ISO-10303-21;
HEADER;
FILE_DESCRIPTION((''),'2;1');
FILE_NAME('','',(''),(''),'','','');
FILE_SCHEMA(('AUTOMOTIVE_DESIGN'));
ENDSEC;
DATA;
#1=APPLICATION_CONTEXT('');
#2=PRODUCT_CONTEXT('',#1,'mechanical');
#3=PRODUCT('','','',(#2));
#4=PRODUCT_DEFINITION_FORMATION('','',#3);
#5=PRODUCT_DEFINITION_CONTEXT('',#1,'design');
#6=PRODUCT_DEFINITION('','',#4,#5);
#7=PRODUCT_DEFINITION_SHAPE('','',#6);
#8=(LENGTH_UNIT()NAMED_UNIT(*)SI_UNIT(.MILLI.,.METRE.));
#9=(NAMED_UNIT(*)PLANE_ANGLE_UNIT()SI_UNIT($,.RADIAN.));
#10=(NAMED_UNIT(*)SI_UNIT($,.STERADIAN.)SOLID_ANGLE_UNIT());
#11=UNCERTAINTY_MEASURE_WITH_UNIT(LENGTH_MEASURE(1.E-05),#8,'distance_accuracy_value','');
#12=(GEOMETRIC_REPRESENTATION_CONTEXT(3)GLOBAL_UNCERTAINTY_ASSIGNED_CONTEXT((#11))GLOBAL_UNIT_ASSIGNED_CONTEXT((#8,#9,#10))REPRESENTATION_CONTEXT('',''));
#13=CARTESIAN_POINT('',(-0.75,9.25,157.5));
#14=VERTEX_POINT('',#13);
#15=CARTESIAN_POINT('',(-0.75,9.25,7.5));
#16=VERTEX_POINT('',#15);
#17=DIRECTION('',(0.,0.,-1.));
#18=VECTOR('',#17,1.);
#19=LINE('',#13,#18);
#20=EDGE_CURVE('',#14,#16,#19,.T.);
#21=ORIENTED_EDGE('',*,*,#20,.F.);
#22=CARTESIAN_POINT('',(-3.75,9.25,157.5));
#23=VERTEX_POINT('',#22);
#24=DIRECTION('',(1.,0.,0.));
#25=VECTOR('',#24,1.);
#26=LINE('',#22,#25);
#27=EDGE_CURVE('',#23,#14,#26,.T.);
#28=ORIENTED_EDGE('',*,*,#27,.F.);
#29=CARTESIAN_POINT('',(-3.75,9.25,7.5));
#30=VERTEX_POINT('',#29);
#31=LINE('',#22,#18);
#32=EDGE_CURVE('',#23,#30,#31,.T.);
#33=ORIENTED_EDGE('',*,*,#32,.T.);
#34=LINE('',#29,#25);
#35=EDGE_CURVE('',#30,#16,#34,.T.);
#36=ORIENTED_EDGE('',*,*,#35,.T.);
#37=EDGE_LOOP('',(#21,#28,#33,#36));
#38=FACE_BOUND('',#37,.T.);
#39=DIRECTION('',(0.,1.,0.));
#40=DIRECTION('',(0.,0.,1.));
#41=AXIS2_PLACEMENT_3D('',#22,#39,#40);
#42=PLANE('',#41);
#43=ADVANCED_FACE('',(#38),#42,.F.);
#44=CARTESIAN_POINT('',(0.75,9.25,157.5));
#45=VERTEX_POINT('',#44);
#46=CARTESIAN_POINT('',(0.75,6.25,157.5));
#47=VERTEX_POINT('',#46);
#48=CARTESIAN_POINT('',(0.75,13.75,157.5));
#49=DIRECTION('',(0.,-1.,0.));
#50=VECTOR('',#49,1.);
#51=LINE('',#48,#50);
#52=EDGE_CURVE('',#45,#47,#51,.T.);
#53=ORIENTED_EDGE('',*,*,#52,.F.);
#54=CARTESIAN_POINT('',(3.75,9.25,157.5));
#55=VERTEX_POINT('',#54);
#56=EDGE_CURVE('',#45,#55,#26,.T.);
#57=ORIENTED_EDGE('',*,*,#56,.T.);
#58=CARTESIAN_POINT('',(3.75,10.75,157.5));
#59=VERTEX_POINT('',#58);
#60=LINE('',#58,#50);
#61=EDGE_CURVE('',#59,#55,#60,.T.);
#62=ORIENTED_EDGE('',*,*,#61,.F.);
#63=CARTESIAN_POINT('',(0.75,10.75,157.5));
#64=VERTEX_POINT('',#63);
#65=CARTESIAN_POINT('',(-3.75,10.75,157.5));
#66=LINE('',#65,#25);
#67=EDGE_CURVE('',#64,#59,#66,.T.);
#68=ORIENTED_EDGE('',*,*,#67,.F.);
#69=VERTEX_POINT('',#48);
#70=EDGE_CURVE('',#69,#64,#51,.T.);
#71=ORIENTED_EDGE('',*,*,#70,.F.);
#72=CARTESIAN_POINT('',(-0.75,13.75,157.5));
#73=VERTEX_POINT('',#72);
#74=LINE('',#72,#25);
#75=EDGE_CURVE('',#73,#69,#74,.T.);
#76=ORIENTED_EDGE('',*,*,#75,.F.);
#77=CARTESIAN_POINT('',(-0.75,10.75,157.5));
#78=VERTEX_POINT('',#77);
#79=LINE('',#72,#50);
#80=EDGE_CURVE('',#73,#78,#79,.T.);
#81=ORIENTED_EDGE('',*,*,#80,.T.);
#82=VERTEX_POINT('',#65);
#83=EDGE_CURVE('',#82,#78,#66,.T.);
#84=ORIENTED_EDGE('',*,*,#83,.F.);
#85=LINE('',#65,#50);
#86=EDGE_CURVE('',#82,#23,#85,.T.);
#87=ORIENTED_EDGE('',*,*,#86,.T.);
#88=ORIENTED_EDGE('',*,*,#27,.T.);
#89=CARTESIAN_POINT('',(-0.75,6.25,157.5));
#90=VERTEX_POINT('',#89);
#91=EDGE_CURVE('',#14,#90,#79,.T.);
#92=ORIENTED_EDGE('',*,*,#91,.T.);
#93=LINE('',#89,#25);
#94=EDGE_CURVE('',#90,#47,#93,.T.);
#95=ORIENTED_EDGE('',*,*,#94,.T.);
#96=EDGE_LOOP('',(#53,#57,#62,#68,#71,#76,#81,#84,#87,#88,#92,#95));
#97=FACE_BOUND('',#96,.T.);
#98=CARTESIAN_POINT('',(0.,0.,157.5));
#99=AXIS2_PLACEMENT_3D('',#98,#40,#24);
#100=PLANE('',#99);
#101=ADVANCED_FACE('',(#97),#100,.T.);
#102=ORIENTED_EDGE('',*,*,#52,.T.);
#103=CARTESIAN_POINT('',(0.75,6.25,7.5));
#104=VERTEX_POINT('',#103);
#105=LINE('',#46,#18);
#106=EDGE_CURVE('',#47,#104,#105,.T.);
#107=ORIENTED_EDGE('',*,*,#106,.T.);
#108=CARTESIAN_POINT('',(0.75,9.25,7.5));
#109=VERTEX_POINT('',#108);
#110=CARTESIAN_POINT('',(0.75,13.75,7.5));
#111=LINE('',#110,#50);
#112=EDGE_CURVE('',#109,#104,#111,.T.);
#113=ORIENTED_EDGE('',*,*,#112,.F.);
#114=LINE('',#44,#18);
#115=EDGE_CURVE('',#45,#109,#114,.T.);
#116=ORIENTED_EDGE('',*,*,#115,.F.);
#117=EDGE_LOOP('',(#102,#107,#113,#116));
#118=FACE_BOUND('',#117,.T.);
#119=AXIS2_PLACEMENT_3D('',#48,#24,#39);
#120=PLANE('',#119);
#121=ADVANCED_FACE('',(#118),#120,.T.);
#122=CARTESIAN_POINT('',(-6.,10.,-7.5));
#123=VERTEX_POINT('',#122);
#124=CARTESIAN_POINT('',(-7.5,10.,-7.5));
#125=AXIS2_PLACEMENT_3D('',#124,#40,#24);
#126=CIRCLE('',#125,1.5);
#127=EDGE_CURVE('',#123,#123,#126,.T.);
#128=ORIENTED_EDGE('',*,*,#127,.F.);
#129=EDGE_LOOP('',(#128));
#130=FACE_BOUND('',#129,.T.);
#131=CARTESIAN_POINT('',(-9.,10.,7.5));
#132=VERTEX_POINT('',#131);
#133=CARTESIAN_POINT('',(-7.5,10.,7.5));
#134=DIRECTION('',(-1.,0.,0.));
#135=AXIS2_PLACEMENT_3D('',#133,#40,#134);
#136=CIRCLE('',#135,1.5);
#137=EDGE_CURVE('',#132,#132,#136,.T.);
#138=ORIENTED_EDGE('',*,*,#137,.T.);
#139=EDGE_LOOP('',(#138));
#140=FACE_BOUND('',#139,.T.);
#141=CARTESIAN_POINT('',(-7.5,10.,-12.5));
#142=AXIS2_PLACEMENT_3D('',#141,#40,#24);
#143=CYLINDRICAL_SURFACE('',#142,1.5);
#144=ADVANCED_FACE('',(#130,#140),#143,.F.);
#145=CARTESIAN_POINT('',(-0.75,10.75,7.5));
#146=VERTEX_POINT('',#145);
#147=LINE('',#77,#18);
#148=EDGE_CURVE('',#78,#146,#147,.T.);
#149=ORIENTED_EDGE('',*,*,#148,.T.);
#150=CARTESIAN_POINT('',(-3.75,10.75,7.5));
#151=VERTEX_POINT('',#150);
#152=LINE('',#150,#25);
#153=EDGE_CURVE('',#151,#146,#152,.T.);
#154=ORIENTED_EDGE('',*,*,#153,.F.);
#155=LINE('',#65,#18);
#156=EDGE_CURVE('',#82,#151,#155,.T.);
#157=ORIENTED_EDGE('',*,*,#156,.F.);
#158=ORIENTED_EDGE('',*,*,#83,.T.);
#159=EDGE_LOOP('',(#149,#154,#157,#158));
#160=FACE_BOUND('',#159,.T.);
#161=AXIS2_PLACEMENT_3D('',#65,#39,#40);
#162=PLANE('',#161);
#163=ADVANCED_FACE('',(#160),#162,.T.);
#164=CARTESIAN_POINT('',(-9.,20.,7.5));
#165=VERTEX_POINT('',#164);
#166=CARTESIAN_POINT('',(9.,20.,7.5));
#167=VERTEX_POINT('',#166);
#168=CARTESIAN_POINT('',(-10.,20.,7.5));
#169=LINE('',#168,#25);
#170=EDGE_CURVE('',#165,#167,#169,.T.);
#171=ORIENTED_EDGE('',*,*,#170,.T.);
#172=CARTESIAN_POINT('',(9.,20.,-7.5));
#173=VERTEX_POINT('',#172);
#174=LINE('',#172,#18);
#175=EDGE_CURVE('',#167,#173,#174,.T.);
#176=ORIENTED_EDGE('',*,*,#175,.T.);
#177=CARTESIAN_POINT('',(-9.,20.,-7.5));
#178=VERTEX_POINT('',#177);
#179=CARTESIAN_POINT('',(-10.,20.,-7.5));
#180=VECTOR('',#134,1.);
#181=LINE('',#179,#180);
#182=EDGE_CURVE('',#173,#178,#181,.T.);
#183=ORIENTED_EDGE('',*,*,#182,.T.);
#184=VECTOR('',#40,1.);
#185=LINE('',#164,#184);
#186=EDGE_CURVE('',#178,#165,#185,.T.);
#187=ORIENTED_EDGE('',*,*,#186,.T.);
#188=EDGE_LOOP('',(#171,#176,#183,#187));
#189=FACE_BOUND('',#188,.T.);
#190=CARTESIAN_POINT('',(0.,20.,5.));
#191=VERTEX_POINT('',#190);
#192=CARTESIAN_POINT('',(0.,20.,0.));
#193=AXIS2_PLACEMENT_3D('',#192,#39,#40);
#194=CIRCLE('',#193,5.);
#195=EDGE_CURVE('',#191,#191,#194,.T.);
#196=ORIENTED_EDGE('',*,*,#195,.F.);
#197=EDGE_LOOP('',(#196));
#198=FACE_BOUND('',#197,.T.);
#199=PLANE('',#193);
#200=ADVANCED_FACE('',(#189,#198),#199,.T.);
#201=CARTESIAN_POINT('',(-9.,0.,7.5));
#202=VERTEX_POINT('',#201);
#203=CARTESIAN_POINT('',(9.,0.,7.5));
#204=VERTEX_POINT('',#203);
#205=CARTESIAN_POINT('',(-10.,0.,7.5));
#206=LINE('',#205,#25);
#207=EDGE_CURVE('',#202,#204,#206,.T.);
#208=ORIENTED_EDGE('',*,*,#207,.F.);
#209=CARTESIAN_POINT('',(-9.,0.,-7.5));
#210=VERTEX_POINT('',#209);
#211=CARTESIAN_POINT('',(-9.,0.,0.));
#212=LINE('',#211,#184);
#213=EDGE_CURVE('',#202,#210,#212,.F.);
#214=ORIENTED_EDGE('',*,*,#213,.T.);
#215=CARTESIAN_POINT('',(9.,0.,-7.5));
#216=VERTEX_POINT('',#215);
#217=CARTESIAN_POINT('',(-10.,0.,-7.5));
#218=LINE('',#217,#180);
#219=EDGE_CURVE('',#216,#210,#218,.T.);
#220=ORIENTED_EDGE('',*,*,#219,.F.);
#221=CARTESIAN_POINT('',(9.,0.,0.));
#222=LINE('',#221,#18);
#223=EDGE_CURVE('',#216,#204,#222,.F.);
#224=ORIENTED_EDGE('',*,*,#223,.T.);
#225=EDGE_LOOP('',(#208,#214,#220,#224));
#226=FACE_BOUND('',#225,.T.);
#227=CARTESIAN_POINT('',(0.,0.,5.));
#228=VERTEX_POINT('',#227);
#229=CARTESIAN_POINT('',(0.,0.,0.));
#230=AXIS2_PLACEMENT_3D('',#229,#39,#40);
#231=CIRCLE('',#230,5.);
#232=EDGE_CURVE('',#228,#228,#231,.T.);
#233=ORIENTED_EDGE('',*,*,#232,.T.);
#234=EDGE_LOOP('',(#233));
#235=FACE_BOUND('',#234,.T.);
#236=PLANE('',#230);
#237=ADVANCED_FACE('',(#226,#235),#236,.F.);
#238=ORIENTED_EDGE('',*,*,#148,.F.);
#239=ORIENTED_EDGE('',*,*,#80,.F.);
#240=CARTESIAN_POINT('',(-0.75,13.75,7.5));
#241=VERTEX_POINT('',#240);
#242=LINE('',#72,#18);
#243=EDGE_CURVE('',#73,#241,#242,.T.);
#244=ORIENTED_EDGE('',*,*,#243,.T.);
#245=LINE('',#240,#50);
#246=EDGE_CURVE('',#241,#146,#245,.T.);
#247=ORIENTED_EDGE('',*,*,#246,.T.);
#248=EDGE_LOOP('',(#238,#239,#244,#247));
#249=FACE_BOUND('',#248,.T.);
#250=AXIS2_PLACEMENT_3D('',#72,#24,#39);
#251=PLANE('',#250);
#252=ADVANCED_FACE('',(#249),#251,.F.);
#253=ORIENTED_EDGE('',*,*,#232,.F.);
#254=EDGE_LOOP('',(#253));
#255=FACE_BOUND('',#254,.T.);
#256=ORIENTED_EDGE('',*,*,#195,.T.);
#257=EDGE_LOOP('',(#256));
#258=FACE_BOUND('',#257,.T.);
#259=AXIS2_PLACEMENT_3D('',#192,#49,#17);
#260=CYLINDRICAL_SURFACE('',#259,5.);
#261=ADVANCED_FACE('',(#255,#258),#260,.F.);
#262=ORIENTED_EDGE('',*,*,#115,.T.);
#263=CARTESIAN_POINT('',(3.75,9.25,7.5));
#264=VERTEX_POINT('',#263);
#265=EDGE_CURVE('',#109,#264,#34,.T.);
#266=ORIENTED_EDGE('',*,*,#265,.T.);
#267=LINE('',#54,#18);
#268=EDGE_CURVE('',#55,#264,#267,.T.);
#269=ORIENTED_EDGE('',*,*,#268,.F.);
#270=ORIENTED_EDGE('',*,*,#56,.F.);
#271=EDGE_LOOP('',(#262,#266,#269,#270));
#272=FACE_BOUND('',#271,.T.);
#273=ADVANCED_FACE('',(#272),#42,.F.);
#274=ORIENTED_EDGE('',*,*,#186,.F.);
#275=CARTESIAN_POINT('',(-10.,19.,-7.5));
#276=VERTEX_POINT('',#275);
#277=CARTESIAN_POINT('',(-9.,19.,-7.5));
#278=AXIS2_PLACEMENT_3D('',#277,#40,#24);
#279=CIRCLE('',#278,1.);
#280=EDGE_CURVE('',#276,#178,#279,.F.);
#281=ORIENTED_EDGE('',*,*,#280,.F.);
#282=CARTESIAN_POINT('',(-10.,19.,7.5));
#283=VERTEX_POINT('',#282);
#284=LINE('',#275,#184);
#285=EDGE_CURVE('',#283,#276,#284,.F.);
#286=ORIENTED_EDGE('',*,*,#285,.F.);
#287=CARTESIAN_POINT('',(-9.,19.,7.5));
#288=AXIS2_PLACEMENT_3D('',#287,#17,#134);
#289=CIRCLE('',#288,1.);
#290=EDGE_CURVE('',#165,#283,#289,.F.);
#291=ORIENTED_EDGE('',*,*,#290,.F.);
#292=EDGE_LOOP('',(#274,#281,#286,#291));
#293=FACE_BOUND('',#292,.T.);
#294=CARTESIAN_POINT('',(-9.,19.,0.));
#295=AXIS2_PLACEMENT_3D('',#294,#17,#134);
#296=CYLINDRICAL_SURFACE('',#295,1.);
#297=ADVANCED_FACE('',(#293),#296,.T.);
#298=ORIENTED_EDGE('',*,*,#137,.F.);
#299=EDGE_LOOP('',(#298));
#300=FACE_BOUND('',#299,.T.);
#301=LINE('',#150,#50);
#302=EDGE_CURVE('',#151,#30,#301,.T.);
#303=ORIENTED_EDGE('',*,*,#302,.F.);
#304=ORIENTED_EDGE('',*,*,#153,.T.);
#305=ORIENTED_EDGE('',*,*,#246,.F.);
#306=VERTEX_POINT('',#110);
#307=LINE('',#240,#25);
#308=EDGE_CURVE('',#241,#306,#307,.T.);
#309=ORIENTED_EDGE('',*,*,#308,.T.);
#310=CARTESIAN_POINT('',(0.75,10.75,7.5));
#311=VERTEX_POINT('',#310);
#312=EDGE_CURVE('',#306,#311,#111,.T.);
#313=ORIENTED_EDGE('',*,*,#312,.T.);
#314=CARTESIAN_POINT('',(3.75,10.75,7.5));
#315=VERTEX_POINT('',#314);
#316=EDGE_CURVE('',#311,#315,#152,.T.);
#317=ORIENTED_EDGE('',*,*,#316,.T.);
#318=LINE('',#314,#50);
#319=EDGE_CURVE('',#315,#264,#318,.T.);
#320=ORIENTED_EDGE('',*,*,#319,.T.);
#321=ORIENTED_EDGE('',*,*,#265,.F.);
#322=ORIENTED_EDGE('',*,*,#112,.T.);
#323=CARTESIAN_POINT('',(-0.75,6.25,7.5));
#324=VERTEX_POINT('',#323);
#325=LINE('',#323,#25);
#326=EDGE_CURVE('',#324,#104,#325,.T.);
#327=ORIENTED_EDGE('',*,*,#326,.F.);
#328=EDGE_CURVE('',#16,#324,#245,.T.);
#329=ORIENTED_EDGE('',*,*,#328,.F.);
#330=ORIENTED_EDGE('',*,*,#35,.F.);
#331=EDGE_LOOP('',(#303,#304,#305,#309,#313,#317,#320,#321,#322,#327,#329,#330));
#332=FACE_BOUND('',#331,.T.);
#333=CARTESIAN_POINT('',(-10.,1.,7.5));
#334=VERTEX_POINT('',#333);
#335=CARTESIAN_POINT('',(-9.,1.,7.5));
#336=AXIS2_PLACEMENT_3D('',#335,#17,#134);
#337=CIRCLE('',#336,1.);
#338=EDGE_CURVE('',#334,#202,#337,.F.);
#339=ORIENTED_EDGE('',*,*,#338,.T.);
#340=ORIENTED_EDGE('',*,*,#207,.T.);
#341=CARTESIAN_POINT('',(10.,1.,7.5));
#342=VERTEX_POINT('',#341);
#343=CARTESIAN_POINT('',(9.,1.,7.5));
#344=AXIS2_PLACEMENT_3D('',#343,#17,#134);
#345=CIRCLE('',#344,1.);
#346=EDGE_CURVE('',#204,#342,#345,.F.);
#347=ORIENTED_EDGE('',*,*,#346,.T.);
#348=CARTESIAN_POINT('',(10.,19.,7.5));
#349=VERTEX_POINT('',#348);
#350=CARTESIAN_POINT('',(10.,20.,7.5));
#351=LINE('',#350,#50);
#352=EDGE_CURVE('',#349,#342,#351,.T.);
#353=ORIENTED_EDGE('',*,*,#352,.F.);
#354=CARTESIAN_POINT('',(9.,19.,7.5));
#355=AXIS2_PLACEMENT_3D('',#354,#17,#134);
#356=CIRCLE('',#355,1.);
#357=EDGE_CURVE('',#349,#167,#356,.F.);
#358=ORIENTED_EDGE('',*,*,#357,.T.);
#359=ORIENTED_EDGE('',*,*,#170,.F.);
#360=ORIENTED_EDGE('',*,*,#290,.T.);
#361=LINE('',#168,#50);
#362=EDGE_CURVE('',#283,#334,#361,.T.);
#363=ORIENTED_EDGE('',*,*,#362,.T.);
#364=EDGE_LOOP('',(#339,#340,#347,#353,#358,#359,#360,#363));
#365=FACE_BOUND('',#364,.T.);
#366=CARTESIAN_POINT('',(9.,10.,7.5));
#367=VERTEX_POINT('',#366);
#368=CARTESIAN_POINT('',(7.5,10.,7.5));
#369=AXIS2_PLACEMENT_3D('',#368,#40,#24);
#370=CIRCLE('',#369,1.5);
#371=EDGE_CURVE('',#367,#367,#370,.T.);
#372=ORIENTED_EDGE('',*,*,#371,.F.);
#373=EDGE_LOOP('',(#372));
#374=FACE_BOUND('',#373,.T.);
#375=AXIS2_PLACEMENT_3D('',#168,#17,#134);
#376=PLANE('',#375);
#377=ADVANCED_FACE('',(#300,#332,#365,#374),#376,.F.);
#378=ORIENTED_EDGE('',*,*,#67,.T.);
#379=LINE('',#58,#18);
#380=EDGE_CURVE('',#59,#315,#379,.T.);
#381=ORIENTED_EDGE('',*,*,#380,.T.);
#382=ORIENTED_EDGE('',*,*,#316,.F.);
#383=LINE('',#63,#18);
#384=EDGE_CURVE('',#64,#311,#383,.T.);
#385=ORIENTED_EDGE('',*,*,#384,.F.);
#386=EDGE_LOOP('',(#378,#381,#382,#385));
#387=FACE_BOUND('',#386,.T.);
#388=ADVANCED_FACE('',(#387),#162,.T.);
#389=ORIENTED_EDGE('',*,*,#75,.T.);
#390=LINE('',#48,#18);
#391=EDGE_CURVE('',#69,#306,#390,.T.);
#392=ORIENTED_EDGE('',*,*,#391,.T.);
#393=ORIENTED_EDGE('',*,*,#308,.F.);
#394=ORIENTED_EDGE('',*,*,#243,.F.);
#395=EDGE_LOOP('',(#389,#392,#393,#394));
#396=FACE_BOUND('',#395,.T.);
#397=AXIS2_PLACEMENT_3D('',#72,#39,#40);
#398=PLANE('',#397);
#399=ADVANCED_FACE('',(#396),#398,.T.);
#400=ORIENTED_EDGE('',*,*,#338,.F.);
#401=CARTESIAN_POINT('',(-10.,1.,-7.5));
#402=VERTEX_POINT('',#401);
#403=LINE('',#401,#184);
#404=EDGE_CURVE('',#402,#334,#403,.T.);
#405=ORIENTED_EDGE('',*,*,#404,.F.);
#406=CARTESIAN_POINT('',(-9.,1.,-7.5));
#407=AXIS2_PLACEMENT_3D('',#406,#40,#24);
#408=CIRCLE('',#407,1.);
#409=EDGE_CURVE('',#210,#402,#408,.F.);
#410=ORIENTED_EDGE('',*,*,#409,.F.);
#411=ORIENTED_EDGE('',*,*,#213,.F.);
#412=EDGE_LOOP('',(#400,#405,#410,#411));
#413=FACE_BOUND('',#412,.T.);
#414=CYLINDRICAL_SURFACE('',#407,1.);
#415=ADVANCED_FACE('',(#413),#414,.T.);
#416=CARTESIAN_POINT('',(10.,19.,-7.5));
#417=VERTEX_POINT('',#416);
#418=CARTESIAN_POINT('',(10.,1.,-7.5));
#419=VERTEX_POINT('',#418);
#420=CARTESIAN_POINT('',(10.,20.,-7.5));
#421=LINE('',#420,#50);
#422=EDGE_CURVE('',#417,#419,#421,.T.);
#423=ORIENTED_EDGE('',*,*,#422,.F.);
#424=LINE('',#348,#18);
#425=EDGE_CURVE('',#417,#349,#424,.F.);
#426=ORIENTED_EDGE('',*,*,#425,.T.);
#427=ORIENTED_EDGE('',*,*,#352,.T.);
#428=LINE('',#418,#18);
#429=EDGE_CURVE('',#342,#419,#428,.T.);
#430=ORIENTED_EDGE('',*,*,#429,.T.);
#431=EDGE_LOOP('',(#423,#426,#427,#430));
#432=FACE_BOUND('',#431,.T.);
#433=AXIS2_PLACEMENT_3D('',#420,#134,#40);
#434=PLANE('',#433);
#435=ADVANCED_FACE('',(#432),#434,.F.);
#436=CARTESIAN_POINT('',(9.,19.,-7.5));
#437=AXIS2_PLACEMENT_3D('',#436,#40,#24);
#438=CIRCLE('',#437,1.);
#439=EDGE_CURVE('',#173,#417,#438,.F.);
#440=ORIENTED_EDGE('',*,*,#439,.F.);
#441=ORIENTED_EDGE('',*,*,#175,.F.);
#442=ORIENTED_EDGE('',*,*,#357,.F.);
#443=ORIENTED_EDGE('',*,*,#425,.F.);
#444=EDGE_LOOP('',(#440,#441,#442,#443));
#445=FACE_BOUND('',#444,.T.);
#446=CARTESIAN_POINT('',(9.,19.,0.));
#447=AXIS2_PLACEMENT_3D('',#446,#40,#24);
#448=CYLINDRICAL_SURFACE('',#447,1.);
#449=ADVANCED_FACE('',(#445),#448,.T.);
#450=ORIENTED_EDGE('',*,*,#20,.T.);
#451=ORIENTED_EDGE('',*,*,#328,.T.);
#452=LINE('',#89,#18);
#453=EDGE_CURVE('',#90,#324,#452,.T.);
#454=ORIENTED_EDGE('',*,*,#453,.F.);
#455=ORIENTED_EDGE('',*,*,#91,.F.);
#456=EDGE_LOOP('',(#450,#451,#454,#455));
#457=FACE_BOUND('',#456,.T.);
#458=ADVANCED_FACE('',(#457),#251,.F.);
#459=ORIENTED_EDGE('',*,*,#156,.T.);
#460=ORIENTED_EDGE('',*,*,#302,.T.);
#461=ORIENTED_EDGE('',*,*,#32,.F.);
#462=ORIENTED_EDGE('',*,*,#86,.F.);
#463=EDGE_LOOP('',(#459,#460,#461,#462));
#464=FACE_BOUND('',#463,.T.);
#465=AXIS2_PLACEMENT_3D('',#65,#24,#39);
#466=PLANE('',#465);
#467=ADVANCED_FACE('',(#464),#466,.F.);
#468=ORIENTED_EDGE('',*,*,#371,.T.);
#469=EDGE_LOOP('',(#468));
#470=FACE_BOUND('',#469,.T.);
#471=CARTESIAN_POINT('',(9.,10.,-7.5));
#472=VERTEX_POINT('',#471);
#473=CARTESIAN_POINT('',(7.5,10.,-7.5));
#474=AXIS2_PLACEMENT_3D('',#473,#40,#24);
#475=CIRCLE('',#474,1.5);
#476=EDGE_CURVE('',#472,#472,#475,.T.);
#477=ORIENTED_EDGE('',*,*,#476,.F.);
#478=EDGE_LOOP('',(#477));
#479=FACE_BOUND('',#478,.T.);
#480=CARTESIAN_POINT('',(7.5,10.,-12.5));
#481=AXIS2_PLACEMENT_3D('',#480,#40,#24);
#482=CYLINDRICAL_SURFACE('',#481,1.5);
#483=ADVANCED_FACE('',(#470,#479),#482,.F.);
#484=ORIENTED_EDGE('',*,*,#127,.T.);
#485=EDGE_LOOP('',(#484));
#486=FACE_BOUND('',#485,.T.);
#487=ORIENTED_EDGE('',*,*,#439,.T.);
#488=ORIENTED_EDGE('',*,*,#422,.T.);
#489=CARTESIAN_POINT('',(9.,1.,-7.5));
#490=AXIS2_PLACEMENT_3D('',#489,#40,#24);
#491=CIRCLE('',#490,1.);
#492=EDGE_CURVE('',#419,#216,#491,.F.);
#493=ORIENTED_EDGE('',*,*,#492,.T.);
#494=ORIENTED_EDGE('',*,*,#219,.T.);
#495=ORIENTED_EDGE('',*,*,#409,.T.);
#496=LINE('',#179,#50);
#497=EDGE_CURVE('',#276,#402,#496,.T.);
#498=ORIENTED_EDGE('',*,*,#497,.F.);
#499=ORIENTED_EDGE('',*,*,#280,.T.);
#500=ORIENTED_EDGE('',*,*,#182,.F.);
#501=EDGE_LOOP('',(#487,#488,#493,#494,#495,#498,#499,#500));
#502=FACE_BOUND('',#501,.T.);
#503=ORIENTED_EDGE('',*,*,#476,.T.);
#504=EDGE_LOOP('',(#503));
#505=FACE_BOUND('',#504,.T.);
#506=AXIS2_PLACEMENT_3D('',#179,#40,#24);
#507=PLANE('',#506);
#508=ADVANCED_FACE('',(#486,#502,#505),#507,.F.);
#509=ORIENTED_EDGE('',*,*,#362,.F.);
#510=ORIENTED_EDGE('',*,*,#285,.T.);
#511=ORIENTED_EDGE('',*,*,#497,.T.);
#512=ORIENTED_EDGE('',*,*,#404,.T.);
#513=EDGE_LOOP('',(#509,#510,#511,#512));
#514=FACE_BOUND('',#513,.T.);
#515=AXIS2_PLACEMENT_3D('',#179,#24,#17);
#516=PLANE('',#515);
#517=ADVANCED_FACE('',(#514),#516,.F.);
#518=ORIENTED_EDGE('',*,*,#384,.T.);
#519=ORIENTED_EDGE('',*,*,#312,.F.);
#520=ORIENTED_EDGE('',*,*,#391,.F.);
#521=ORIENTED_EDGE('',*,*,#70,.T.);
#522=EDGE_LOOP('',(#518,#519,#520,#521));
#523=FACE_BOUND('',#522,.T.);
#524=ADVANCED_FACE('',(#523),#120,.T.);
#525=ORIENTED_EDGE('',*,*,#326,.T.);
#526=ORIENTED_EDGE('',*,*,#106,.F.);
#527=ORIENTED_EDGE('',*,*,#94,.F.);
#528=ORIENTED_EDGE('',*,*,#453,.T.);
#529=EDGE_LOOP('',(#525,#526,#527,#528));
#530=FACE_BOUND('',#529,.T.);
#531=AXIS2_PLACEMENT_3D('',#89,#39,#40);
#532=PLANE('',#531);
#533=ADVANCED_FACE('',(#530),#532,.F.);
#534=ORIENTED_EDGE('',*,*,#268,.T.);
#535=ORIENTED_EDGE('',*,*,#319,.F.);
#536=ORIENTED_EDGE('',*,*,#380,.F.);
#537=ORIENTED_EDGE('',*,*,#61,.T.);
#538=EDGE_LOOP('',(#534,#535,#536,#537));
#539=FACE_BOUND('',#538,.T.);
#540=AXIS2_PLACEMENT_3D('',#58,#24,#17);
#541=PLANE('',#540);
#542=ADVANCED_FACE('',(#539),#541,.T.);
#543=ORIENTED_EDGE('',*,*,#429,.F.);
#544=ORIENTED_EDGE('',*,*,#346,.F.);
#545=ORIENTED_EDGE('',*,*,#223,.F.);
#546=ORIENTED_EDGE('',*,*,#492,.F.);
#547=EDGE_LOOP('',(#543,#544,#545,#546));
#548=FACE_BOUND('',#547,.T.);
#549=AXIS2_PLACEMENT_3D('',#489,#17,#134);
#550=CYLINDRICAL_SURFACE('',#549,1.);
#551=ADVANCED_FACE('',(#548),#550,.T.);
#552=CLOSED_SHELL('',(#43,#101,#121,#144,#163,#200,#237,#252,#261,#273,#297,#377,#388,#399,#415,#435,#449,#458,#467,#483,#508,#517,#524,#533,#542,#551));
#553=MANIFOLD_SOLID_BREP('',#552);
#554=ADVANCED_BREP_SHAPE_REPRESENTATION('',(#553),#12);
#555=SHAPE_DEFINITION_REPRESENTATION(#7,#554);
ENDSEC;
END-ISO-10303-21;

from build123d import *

# Parameters (mm, degrees)
SKETCH1_W           = 20
SKETCH1_H           = 15
SKETCH1_R           = 5
BOSS_EXTRUDE1_DEPTH = 20
SKETCH2_R           = 1.5
CUT_EXTRUDE2_DEPTH  = 20
SKETCH4_W           = 1.5
SKETCH4_H           = 7.5
SKETCH4_W_2         = 7.5
SKETCH4_H_2         = 1.5
BOSS_EXTRUDE3_DEPTH = 150
FILLET3_R           = 1


with BuildPart() as part:
    # Sketch1 → Boss-Extrude1 (new body)
    with BuildSketch(Plane(origin=(0, 0, 0), x_dir=(1, 0, 0), z_dir=(0, 1, 0))):
        Rectangle(SKETCH1_W, SKETCH1_H)
        Circle(SKETCH1_R, mode=Mode.SUBTRACT)
    extrude(amount=BOSS_EXTRUDE1_DEPTH)

    # Sketch2 → Cut-Extrude2 (cut)
    with BuildSketch(Plane.XY.offset(7.5)):
        with Locations((7.5, 10)):
            Circle(SKETCH2_R)
        with Locations((-7.5, 10)):
            Circle(SKETCH2_R)
    extrude(amount=-CUT_EXTRUDE2_DEPTH, mode=Mode.SUBTRACT)

    # Sketch4 → Boss-Extrude3 (add)
    with BuildSketch(Plane.XY.offset(7.5)):
        with Locations((0, 10)):
            Rectangle(SKETCH4_W, SKETCH4_H)
        with Locations((0, 10)):
            Rectangle(SKETCH4_W_2, SKETCH4_H_2)
    extrude(amount=BOSS_EXTRUDE3_DEPTH)

    # Fillet3
    fillet3_edges = [part.edges().sort_by_distance(p)[0] for p in [
        (-10, 20, 0),
        (10, 20, 0),
        (-10, 0, 0),
        (10, 0, 0),
    ]]
    fillet(fillet3_edges, radius=FILLET3_R)


solid = part.part
